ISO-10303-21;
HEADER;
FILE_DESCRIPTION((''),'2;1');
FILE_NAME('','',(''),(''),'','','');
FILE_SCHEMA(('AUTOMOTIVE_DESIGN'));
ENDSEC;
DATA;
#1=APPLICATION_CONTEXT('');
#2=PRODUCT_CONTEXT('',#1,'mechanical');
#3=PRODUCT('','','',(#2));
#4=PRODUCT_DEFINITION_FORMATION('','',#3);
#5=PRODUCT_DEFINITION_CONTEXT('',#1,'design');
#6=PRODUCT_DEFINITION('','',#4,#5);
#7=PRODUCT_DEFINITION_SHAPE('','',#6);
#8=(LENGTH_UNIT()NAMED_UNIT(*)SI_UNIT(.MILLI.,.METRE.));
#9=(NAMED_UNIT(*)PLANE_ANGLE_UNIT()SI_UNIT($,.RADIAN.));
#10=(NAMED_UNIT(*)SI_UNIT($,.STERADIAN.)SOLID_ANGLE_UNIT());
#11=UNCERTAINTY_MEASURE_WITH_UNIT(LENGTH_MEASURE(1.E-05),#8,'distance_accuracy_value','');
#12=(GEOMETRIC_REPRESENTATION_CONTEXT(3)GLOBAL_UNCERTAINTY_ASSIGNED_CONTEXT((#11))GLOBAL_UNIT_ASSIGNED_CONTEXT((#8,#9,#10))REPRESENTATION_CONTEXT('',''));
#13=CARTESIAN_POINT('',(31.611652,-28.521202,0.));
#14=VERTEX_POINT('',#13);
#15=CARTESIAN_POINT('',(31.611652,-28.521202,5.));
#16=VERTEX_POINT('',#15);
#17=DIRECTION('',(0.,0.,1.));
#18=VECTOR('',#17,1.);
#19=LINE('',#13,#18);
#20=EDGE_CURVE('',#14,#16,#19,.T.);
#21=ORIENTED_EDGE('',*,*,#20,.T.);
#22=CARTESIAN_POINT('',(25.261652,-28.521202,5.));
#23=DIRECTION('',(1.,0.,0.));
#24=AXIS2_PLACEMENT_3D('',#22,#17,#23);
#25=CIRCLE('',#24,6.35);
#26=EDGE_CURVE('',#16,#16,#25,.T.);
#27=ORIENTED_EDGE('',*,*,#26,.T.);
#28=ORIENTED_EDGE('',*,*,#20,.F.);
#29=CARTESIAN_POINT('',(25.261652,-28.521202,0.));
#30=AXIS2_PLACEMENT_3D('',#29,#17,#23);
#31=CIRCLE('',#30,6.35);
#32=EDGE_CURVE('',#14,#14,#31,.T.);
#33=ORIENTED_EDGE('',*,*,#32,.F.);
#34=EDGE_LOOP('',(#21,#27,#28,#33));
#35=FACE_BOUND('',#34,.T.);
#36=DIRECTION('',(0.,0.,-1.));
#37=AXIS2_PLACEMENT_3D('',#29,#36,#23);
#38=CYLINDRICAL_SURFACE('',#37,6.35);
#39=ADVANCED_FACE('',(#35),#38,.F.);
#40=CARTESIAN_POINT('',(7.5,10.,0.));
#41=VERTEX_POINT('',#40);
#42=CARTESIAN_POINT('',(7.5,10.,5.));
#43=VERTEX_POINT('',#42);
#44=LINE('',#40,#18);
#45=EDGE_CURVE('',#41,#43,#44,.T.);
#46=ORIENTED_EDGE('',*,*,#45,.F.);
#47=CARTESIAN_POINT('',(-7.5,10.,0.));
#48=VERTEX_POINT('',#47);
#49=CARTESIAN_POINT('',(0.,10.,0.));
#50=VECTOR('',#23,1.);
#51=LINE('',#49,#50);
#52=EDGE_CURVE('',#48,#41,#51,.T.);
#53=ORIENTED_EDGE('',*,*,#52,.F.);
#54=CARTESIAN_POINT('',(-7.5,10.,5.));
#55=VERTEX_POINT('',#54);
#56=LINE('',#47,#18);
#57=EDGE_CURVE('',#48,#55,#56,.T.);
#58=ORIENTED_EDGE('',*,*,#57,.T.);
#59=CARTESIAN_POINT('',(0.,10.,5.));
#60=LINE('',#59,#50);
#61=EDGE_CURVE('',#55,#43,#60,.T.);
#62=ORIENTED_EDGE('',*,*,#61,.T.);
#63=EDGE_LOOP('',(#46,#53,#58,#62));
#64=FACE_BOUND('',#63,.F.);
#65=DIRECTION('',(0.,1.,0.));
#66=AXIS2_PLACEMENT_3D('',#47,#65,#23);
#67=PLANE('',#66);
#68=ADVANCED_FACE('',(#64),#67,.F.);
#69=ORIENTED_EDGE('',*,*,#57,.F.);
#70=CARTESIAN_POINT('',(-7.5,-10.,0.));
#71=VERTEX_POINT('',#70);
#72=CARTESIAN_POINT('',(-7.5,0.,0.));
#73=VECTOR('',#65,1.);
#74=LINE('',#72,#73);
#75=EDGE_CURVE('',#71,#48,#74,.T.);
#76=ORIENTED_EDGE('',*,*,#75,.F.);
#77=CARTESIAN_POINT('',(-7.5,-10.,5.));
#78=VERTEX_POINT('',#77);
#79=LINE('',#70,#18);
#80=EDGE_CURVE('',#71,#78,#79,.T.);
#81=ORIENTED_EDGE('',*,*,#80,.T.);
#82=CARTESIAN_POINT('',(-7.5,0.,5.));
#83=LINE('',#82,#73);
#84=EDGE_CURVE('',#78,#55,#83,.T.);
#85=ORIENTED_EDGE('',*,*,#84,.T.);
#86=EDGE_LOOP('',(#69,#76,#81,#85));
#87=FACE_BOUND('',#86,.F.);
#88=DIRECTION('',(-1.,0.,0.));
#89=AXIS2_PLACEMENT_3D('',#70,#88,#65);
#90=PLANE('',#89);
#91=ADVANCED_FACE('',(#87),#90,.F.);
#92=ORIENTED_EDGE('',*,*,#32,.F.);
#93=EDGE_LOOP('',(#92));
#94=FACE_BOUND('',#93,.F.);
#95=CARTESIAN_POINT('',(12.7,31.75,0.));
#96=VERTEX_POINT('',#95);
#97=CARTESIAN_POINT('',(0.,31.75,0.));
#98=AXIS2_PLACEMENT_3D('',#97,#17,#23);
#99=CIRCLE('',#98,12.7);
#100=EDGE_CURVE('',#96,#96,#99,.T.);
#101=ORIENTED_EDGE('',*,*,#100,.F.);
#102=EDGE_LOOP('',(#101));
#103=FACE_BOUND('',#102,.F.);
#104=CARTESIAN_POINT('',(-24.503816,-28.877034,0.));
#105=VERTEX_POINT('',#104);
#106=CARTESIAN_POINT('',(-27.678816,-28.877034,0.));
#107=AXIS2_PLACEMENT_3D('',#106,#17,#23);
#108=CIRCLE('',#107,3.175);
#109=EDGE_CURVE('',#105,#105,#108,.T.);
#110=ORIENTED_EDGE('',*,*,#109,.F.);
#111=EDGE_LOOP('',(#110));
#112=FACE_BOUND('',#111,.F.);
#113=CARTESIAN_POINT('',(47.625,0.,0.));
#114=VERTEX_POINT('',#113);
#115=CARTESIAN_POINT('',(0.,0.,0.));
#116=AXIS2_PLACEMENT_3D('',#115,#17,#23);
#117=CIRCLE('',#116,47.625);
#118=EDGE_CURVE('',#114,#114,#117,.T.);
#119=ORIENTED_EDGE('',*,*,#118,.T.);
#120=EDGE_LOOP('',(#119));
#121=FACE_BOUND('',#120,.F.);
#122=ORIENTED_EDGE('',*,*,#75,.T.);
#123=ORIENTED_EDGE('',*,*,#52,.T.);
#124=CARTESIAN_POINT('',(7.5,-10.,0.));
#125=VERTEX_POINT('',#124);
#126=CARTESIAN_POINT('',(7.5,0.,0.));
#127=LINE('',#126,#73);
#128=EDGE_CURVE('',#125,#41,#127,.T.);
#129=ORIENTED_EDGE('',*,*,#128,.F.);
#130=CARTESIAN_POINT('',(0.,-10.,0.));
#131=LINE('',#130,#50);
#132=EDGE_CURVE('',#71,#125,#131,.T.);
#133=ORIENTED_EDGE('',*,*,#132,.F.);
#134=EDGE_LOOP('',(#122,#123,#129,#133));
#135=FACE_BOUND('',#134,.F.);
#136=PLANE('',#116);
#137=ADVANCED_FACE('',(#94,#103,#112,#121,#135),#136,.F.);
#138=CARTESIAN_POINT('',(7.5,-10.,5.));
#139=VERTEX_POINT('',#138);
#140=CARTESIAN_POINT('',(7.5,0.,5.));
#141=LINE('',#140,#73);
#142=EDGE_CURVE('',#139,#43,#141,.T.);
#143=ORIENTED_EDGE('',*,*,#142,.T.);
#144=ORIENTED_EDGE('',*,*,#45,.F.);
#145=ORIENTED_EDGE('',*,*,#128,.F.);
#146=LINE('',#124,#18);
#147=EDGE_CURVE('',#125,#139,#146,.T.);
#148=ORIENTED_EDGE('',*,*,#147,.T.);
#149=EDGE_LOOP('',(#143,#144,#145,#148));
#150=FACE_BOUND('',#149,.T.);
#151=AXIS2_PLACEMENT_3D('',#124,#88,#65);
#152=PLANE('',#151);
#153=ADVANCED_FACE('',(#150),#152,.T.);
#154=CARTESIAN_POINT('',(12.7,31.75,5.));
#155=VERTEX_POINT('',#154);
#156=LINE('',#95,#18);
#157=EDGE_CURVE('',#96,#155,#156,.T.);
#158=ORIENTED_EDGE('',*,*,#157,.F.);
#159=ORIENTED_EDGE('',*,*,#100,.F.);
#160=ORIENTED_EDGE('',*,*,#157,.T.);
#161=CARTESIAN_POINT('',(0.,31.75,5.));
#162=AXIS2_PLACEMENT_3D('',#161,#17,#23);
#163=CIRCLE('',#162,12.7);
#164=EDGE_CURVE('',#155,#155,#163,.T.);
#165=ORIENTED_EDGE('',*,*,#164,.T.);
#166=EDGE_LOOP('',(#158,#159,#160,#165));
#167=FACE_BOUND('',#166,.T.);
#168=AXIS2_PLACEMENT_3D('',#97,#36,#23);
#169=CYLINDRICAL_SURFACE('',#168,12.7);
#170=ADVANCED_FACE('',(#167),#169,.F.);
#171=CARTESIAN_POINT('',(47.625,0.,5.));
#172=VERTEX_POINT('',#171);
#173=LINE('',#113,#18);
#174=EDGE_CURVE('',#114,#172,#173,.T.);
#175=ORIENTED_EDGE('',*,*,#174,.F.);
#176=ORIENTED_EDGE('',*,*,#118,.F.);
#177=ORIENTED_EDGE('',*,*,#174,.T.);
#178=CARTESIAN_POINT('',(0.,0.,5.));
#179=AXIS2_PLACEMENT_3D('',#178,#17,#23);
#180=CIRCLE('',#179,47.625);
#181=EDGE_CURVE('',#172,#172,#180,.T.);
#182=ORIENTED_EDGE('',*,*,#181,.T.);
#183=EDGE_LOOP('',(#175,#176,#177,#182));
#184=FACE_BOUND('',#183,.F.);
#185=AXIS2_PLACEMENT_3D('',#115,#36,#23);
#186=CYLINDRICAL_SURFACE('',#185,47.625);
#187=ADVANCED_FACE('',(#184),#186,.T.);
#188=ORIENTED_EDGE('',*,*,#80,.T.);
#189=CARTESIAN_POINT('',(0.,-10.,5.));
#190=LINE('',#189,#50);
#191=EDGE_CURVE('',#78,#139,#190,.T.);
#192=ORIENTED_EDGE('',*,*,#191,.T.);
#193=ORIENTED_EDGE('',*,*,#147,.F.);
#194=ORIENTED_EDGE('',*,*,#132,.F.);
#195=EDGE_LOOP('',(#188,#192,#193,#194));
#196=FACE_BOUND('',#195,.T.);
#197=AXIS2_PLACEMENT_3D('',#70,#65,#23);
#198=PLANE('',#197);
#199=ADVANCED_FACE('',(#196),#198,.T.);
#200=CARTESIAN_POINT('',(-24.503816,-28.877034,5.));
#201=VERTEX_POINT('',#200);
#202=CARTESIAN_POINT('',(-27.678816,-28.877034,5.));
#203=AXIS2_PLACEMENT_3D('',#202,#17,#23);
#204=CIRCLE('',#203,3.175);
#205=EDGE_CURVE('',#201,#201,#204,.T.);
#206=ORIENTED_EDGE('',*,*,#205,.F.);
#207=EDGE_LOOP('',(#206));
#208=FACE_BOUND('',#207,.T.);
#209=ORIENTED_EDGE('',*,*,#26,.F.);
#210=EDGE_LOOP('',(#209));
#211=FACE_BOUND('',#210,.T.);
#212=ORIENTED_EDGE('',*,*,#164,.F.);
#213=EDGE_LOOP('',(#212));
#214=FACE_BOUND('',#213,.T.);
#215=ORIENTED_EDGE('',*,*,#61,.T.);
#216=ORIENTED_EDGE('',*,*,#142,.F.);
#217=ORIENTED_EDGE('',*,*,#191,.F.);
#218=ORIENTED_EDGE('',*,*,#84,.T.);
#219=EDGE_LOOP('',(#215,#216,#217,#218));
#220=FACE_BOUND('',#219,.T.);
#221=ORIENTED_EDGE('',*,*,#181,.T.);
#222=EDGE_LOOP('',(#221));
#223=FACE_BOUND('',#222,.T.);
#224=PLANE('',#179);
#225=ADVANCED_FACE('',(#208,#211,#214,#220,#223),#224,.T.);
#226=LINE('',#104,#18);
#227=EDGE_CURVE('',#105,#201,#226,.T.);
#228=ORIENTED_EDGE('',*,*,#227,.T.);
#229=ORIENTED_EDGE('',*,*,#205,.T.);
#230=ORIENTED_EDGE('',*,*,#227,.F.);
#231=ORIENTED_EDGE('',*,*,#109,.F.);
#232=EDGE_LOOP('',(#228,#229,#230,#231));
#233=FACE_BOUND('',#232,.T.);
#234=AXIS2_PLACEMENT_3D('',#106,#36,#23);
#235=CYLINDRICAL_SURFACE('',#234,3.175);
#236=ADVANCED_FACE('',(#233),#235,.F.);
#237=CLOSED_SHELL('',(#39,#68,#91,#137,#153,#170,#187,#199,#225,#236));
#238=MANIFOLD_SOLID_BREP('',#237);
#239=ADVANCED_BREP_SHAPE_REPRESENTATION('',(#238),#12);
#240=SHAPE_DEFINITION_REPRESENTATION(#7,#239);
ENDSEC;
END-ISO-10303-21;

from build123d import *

# Parameters (mm, degrees)
F0_R     = 47.625
F0_R_2   = 3.175
F0_R_3   = 6.35
F0_W     = 15
F0_H     = 20
F0_R_4   = 12.7
F1_DEPTH = 5


with BuildPart() as f1:
    # F0 (on Top) → F1 (new body)
    with BuildSketch(Plane.XY):
        Circle(F0_R)
        with Locations((-27.678816, -28.877034)):
            Circle(F0_R_2, mode=Mode.SUBTRACT)
        with Locations((25.261652, -28.521202)):
            Circle(F0_R_3, mode=Mode.SUBTRACT)
        Rectangle(F0_W, F0_H, mode=Mode.SUBTRACT)
        with Locations((0, 31.75)):
            Circle(F0_R_4, mode=Mode.SUBTRACT)
    extrude(amount=F1_DEPTH)


solid = f1.part
